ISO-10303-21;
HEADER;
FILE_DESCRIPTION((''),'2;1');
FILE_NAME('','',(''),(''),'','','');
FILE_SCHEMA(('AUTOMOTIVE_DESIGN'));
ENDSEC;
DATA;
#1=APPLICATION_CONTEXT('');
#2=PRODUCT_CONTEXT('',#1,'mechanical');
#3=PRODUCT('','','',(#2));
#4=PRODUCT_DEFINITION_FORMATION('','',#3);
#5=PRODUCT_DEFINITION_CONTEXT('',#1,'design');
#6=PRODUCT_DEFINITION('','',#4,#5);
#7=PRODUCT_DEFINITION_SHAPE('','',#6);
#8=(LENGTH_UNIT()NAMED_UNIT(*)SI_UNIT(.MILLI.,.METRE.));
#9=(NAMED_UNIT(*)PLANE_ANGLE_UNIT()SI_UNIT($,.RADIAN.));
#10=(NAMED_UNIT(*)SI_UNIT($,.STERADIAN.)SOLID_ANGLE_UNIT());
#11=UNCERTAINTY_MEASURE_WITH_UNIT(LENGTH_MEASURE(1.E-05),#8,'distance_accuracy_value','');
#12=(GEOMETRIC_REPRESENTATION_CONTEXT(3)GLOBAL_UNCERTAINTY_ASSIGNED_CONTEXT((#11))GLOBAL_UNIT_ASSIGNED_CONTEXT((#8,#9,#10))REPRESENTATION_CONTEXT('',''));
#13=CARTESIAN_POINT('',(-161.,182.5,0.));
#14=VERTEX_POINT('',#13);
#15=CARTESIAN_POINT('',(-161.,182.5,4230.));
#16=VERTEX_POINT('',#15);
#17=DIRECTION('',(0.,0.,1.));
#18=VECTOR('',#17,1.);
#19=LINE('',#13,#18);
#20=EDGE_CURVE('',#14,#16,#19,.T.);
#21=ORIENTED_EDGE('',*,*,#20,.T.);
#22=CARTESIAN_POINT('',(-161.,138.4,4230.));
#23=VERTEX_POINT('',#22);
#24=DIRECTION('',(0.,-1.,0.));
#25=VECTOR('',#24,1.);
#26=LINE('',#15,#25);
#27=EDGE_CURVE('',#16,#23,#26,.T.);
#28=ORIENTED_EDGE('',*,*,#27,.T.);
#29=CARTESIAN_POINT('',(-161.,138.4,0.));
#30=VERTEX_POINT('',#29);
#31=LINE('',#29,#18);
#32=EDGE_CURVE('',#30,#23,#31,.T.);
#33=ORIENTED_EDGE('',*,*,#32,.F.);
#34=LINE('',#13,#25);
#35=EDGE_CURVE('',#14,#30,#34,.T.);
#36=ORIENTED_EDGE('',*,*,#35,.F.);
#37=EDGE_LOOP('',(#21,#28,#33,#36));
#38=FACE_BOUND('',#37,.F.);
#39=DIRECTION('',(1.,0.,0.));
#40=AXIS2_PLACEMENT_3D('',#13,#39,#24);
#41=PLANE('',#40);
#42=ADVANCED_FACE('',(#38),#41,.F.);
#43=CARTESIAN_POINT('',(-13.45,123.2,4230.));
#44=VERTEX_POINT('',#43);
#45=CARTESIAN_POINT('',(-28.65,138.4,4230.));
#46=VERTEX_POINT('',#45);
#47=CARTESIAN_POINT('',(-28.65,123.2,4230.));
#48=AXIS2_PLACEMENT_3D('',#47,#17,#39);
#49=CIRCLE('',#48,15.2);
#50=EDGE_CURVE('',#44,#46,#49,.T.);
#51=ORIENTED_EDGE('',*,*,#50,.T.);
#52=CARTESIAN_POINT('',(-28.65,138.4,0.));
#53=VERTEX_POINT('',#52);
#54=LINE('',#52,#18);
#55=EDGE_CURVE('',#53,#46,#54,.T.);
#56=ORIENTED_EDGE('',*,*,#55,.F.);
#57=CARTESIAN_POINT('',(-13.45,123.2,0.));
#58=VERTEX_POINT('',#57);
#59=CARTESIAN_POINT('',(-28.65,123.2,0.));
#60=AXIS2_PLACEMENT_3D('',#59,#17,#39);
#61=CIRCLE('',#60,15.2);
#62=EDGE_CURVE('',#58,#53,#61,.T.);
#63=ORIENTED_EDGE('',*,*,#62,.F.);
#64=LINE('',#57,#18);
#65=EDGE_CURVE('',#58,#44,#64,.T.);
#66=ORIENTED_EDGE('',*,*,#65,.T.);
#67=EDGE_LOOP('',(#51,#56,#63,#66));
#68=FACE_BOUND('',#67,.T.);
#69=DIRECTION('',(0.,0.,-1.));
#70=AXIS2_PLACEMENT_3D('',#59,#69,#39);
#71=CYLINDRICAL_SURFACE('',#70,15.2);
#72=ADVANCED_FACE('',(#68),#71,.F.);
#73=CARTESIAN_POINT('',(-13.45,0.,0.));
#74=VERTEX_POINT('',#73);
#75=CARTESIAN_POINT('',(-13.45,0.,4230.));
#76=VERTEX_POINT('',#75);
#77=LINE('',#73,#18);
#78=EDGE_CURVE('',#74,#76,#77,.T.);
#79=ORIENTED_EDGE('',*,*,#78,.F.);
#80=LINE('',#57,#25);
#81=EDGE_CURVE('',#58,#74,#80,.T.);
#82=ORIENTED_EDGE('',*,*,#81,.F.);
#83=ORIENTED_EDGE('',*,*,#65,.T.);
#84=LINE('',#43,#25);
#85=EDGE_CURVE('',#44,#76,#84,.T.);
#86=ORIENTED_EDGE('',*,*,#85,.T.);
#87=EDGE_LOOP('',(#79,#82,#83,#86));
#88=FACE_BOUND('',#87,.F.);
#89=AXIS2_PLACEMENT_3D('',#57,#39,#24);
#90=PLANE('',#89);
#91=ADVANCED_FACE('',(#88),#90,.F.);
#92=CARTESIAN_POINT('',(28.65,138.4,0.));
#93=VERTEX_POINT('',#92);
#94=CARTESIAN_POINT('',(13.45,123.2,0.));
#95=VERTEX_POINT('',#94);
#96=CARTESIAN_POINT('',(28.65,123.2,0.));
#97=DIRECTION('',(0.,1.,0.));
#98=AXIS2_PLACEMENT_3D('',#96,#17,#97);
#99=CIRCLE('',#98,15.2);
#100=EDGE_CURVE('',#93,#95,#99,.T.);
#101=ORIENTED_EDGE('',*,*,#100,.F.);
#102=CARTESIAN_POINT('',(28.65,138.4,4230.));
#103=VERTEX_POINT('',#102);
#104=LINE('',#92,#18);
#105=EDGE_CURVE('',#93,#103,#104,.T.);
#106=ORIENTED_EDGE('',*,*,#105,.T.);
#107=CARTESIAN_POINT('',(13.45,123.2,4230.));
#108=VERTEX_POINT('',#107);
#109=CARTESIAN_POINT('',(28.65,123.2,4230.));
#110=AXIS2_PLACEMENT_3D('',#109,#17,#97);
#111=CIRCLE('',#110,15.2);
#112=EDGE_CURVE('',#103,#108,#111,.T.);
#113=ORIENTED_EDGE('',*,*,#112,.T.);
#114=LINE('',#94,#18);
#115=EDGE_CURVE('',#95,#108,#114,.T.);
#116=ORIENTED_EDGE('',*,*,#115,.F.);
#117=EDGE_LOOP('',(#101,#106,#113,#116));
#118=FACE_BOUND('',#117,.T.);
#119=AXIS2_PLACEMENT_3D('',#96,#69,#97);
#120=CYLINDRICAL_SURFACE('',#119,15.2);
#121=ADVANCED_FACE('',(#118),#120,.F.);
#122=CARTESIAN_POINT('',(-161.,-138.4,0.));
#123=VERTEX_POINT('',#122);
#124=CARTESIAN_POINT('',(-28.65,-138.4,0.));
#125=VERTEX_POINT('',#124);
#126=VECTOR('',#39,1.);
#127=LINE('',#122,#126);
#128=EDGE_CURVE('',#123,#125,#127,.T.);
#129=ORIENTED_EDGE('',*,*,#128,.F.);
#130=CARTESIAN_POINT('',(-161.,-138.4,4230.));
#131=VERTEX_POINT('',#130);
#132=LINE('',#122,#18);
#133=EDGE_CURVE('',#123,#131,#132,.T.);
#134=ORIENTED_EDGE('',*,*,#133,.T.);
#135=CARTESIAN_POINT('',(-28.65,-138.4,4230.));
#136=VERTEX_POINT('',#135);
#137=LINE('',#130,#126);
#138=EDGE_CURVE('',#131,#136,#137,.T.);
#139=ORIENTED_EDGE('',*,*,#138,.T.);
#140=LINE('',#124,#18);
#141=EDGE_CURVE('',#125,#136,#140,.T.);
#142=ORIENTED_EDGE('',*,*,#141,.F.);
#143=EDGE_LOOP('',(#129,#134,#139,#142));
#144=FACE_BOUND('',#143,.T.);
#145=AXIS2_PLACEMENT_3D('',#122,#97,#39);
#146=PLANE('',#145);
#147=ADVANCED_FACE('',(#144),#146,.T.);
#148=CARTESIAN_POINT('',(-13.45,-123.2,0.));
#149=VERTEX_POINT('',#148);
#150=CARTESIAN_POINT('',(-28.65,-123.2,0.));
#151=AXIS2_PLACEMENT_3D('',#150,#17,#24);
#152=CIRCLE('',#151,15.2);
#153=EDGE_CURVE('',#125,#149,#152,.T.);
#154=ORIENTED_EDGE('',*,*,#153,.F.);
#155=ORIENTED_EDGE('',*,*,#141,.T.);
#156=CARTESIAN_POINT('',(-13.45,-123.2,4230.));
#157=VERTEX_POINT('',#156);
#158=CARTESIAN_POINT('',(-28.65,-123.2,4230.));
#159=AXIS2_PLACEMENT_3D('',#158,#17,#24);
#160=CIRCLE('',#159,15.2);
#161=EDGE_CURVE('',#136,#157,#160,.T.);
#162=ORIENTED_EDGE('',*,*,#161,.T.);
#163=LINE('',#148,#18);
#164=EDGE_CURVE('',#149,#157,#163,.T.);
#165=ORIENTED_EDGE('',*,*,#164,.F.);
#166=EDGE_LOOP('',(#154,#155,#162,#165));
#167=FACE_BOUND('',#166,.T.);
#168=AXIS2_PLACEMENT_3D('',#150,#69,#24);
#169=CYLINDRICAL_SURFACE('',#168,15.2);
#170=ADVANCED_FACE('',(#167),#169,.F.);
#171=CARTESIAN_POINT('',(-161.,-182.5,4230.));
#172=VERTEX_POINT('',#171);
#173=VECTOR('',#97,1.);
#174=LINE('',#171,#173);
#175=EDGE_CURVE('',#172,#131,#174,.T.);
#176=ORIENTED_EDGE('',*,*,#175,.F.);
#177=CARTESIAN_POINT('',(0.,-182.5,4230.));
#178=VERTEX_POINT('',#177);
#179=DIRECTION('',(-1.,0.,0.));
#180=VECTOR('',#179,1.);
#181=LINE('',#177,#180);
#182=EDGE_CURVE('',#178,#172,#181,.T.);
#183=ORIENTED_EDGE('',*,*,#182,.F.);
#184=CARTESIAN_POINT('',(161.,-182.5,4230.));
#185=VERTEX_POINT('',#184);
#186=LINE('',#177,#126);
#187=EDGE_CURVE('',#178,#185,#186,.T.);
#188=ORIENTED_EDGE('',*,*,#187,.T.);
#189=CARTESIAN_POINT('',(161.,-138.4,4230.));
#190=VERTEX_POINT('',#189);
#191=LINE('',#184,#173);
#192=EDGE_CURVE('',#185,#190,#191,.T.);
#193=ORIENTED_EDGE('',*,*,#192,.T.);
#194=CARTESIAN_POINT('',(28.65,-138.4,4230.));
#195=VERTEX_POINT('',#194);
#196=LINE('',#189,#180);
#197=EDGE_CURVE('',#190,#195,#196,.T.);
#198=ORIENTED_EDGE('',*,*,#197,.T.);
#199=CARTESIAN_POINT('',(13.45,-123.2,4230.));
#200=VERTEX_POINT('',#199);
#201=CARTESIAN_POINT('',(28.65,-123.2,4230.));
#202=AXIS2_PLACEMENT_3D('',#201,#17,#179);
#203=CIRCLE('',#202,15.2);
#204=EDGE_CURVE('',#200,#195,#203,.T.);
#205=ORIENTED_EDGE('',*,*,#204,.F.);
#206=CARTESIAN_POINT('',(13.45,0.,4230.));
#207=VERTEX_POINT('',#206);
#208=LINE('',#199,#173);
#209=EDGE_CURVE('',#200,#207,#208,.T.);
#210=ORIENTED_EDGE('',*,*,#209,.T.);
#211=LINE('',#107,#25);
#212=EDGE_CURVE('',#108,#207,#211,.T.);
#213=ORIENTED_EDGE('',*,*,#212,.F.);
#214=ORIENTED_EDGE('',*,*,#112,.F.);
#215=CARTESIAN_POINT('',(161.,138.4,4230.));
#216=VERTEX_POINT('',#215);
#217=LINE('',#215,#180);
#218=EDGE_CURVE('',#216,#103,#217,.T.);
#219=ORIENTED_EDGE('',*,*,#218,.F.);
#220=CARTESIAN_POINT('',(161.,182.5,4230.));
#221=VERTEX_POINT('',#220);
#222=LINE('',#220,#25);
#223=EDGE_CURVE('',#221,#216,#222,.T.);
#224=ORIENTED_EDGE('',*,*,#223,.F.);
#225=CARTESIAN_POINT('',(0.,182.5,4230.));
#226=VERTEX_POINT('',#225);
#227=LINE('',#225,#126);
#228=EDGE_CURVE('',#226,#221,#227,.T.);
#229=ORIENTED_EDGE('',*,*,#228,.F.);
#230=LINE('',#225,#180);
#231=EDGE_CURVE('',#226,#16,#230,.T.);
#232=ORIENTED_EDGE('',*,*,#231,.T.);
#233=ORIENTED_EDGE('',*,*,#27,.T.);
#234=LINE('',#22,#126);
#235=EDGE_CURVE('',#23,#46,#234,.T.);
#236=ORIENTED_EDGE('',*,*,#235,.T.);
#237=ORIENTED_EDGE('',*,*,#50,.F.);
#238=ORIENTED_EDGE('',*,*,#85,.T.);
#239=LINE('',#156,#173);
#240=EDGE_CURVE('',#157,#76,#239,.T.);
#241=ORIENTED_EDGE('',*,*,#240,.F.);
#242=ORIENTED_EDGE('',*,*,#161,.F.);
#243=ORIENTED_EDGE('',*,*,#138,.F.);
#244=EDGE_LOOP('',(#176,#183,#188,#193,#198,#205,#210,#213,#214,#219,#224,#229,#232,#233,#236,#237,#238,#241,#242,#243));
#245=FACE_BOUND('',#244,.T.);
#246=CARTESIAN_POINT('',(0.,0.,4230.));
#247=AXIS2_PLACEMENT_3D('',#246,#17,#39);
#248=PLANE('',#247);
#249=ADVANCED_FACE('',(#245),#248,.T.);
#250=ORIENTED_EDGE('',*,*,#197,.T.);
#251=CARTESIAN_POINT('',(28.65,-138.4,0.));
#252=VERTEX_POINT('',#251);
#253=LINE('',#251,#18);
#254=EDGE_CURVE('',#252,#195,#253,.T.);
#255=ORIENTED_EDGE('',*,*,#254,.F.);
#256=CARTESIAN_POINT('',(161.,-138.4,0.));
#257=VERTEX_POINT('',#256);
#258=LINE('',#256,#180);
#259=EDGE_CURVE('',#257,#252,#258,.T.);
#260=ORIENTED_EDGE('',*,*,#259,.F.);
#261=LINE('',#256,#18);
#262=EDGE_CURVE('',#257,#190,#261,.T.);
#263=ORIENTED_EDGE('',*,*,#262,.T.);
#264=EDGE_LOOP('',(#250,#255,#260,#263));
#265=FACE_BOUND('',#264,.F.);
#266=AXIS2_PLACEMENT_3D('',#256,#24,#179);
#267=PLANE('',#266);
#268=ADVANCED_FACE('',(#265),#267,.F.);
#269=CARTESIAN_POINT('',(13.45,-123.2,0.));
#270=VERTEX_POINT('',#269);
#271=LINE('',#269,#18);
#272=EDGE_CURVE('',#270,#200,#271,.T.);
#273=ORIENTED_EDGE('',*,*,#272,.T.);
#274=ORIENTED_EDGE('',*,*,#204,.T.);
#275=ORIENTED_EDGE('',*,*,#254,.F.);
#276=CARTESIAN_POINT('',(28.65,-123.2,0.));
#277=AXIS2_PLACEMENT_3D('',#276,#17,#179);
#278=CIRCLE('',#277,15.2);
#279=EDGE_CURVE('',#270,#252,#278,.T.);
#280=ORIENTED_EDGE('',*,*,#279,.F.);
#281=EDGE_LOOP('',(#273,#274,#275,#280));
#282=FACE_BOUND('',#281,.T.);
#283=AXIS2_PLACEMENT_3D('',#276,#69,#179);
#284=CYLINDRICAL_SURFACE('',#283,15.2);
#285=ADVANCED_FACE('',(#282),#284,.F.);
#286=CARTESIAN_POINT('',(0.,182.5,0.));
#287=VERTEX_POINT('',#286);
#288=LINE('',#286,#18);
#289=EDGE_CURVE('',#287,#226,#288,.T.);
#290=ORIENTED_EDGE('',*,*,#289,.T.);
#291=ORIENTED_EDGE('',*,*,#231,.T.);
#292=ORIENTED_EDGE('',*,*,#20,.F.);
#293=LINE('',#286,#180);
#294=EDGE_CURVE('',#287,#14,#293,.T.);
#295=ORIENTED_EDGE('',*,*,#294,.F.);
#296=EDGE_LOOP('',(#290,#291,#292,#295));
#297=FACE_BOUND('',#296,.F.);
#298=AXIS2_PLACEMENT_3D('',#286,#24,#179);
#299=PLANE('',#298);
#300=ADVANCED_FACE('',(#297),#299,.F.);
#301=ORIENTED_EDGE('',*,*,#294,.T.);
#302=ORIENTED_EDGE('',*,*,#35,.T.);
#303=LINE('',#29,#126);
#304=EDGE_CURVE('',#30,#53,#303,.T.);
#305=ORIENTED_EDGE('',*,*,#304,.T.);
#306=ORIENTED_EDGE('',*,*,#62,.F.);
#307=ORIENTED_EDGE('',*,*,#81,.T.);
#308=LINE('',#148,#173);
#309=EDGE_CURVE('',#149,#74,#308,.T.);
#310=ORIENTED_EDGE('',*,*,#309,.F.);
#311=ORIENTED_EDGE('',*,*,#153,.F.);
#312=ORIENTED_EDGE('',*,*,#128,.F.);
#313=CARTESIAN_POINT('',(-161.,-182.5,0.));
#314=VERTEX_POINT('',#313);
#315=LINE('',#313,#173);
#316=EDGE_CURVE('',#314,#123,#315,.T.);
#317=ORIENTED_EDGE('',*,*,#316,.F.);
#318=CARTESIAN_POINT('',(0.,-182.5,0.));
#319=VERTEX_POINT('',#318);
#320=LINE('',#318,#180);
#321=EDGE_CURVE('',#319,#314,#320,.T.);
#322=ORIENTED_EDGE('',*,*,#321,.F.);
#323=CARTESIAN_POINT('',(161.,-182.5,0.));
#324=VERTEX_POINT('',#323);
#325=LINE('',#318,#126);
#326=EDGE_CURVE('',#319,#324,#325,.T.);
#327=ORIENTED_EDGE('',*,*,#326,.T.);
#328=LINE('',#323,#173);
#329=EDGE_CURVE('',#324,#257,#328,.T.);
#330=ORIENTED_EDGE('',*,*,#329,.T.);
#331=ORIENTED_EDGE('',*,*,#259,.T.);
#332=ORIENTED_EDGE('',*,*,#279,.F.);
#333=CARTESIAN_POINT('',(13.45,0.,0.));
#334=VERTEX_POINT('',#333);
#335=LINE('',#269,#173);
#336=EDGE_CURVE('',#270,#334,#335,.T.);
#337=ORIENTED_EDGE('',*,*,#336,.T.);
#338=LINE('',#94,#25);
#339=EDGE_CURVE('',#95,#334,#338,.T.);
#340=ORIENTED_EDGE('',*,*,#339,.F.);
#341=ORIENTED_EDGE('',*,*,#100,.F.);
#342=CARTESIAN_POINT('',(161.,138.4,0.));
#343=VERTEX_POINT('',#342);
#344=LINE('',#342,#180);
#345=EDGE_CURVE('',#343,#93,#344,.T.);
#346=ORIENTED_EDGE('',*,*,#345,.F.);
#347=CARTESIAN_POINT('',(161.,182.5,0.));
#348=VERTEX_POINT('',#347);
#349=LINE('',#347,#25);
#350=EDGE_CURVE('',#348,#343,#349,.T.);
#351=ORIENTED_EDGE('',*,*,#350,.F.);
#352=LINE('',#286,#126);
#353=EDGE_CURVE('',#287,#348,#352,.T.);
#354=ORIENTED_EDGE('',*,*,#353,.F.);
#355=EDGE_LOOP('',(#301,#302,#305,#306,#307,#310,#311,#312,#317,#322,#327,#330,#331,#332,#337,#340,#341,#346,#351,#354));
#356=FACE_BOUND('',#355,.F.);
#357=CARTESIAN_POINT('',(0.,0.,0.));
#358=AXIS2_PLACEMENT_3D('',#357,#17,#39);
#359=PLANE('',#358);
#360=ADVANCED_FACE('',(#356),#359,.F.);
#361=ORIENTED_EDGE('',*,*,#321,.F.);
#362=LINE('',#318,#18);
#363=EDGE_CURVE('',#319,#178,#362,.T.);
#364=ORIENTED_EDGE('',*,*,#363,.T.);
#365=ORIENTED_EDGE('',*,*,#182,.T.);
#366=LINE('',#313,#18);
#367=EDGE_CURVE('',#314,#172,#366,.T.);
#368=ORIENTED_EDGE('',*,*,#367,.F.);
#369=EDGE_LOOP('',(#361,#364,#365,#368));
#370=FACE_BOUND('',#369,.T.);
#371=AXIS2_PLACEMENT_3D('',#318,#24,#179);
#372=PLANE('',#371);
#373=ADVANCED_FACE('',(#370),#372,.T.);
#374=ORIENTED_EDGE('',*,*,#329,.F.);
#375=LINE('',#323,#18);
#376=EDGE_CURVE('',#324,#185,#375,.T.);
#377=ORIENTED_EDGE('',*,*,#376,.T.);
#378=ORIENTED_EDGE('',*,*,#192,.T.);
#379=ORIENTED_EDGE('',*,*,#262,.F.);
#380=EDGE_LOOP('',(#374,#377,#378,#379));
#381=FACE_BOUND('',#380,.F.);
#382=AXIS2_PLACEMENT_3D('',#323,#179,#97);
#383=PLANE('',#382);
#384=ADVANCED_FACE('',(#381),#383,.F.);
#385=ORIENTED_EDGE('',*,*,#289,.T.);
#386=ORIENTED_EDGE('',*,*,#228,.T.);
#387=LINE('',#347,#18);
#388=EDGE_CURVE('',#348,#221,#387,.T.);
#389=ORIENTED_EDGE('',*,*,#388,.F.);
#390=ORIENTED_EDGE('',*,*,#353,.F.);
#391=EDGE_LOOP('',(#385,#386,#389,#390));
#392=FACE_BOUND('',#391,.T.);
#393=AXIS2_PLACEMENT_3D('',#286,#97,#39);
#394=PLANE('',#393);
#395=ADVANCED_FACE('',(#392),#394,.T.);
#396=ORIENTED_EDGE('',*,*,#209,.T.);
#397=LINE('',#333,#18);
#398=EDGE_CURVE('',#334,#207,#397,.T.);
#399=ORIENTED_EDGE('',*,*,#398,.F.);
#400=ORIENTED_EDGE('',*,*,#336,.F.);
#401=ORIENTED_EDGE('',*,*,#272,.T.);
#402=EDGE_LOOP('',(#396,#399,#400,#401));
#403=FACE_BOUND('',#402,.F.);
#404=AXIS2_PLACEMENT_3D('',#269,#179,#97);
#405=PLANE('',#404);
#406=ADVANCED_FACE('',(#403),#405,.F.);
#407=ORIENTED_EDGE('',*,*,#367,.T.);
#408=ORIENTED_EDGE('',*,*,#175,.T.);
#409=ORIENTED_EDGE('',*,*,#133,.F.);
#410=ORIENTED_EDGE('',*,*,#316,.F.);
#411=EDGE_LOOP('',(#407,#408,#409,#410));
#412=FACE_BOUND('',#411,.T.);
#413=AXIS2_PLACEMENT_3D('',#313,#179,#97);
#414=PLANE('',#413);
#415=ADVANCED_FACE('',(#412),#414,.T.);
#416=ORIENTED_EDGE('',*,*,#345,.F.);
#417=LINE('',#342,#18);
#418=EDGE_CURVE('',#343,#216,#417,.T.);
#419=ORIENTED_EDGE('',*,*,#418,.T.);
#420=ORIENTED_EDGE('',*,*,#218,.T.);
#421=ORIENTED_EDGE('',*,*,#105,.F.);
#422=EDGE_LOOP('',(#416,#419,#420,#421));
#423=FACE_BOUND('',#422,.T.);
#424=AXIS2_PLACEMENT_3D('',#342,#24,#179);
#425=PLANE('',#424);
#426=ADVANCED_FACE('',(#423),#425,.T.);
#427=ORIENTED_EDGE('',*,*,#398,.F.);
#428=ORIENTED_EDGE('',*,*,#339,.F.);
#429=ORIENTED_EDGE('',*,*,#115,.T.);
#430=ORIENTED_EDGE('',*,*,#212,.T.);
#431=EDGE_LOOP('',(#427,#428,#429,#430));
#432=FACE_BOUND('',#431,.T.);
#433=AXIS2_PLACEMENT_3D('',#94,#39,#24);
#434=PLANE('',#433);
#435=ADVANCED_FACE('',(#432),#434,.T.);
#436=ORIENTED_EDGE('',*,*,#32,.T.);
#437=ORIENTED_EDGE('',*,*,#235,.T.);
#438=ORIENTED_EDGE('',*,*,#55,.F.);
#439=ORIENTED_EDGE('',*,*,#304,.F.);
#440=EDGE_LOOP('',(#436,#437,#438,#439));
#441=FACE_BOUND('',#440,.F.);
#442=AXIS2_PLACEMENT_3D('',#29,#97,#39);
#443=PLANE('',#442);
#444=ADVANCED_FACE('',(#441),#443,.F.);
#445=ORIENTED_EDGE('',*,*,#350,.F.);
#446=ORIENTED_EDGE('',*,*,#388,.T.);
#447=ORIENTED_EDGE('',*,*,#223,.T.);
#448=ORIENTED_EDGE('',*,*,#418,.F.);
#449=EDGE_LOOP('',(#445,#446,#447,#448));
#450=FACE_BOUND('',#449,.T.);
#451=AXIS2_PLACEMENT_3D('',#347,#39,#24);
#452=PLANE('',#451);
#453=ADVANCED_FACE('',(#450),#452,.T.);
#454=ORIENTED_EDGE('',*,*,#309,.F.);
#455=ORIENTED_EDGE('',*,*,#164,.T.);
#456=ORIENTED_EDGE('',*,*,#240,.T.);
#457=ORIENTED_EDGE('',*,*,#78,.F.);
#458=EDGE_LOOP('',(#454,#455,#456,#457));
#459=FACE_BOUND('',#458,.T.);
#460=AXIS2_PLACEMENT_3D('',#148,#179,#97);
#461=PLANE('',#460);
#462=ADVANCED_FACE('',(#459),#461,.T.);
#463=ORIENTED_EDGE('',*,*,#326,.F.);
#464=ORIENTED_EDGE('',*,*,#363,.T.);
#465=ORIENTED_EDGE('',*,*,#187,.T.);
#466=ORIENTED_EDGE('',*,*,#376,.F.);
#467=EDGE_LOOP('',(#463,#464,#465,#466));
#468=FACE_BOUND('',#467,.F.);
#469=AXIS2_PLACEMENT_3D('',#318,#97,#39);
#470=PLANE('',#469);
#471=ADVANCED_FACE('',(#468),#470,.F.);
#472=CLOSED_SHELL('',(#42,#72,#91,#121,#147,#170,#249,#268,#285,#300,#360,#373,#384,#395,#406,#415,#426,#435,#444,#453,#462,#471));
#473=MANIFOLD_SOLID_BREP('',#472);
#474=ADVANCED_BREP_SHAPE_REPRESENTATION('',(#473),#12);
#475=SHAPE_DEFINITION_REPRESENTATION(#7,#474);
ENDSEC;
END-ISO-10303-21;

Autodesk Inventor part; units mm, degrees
ref_plane "YZ Plane" through (0, 0, 0) normal (1, 0, 0) x (0, 1, 0)
ref_plane "Start plane" through (0, 0, 0) normal (0, 0, 1) x (1, 0, 0)
ref_plane "End plane" through (0, 0, 4230) normal (0, 0, 1) x (1, 0, 0)
sketch "Sketch" plane through (0, 0, 0) normal (0, 0, 1) x (1, 0, 0)
  line L0 (-161, -182.5) -> (-161, -138.4)
  line L1 (-161, -138.4) -> (-28.65, -138.4)
  line L2 (-13.45, -123.2) -> (-13.45, 0)
  line L3 (-13.45, 0) -> (0, 0) construction
  line L4 (0, 0) -> (0, -182.5) construction
  line L5 (0, -182.5) -> (-161, -182.5)
  line L6 (-60, 0) -> (80, 0) construction
  line L7 (0, -60) -> (0, 80) construction
  line L8 (161, -182.5) -> (161, -138.4)
  line L9 (161, -138.4) -> (28.65, -138.4)
  line L10 (13.45, -123.2) -> (13.45, 0)
  line L11 (13.45, 0) -> (0, 0) construction
  line L12 (0, -182.5) -> (161, -182.5)
  line L13 (-161, 182.5) -> (-161, 138.4)
  line L14 (-161, 138.4) -> (-28.65, 138.4)
  line L15 (-13.45, 123.2) -> (-13.45, 0)
  line L16 (0, 182.5) -> (-161, 182.5)
  line L17 (161, 182.5) -> (161, 138.4)
  line L18 (161, 138.4) -> (28.65, 138.4)
  line L19 (0, 182.5) -> (161, 182.5)
  line L20 (13.45, 123.2) -> (13.45, 0)
  arc A0 (-13.45, 123.2) -> (-28.65, 138.4) centre (-28.65, 123.2) ccw
  arc A1 (28.65, 138.4) -> (13.45, 123.2) centre (28.65, 123.2) ccw
  arc A2 (13.45, -123.2) -> (28.65, -138.4) centre (28.65, -123.2) ccw
  arc A3 (-28.65, -138.4) -> (-13.45, -123.2) centre (-28.65, -123.2) ccw
  line L21 (0, 108) -> (0, -88) construction
  line L22 (-88, 0) -> (108, 0) construction
  point P0 (-13.45, -138.4)
  point P1 (13.45, -138.4)
  point P2 (-13.45, 138.4)
  point P3 (13.45, 138.4)
  dimension "d1" = 182.5
  dimension "d2" = 44.1
  dimension "d3" = 161
  dimension "d4" = 13.45
  dimension "d10" = 15.2
extrude "Body" add sketch "Sketch" along normal up to surface (4230 mm away) from surface at 0
sketch "Sketch4" plane through (0, 0, 0) normal (0, 0, 1) x (1, 0, 0)
  line L0 (0, 0) -> (10, 0)
ref_plane "Work Plane3" through (0, 0, 0) normal (0, -1, 0) x (1, 0, 0)
sketch "Sketch5" plane through (0, 0, 0) normal (0, -1, 0) x (1, 0, 0)
  line L0 (-2, 0) -> (12, 0) projected
  line L1 (-2, 4230) -> (12, 4230) projected
  dimension "d14" = 4230
equation "\"d1\" = 0.5 * G_H"
equation "\"d2\" = G_T1"
equation "\"d3\" = 0.5 * G_W"
equation "\"d4\" = 0.5 * G_T"
equation "\"d10\" = G_IR"
equation "\"d5\" = G_L"
equation "\"G_W\" = 322"
equation "\"G_H\" = 365"
equation "\"G_T\" = 26.9"
equation "\"G_T1\" = 44.1"
equation "\"G_IR\" = 15.2"
equation "\"G_L\" = d14"
equation "\"G_OFFSET_START\" = 0"
equation "\"G_OFFSET_END\" = 0"
properties part number "AS 3679 - 310 UC - 283 - 4230" material "Steel, Mild"
